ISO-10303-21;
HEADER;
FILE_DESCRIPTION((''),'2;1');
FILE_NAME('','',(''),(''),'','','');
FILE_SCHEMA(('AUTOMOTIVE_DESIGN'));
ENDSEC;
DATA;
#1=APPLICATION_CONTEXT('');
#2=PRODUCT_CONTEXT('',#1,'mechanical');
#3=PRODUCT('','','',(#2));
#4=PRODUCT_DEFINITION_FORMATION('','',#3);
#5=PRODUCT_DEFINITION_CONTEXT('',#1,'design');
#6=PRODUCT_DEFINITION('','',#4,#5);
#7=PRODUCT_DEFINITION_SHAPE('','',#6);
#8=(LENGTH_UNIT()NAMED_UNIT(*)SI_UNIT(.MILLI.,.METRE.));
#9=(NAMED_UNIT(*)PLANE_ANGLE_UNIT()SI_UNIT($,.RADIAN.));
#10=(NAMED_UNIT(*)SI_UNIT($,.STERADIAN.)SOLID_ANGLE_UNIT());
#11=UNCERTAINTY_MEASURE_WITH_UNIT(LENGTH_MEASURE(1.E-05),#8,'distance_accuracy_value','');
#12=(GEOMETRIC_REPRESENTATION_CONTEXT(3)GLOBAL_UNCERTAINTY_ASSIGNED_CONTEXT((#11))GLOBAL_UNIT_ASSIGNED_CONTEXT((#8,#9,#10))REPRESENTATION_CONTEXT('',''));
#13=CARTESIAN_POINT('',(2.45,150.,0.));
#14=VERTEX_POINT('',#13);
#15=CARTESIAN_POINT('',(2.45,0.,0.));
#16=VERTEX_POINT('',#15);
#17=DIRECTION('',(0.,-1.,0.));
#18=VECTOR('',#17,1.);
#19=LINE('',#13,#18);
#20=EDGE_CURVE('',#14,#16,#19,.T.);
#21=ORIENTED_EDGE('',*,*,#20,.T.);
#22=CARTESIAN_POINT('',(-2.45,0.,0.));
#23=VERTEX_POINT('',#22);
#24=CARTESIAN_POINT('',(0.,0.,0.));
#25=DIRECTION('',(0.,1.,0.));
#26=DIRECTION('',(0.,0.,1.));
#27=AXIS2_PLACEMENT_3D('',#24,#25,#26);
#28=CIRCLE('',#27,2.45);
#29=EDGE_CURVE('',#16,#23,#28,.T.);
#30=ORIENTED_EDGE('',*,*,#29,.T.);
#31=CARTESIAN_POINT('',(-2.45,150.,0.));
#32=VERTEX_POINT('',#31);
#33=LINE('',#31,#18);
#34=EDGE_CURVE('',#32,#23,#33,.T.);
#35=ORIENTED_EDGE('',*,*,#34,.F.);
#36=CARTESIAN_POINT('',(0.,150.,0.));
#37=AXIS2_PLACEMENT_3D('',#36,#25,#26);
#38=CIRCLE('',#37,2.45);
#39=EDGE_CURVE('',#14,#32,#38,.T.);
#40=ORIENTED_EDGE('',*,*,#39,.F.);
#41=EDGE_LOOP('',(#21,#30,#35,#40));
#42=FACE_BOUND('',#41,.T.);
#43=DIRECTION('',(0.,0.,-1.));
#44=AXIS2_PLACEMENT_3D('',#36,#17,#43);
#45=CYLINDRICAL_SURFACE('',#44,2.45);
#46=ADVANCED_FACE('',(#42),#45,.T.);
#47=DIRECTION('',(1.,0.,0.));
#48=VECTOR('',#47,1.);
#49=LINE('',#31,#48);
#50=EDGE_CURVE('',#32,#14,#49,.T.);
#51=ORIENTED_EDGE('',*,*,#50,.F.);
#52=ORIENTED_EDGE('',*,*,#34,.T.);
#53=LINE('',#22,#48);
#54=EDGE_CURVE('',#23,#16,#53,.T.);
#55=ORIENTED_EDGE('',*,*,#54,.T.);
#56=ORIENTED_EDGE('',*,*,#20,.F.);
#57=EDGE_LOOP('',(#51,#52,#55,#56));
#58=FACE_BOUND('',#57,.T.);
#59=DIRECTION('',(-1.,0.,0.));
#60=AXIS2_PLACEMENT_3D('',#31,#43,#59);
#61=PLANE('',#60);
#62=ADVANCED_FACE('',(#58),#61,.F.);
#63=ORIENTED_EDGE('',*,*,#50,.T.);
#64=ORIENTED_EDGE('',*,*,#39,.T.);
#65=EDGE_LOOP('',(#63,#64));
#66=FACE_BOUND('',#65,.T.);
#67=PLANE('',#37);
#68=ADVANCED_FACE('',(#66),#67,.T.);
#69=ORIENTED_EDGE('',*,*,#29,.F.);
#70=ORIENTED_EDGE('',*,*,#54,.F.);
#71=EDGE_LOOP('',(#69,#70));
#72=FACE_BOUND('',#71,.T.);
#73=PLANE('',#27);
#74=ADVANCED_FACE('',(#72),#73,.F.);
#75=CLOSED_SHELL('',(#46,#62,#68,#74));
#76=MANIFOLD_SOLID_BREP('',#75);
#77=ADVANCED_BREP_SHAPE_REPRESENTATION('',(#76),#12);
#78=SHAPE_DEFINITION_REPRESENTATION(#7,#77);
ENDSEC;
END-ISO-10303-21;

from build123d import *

# Parameters (mm, degrees)
RESSALTO_EXTRUS_O1_DEPTH = 150


with BuildPart() as part:
    # Esboço1 → Ressalto-extrusão1 (new body)
    with BuildSketch(Plane(origin=(0, 0, 0), x_dir=(1, 0, 0), z_dir=(0, 1, 0))):
        with BuildLine():
            Line((-2.45, 0), (2.45, 0))
            ThreePointArc((2.45, 0), (0, 2.45), (-2.45, 0))
        make_face()
    extrude(amount=RESSALTO_EXTRUS_O1_DEPTH)


solid = part.part
